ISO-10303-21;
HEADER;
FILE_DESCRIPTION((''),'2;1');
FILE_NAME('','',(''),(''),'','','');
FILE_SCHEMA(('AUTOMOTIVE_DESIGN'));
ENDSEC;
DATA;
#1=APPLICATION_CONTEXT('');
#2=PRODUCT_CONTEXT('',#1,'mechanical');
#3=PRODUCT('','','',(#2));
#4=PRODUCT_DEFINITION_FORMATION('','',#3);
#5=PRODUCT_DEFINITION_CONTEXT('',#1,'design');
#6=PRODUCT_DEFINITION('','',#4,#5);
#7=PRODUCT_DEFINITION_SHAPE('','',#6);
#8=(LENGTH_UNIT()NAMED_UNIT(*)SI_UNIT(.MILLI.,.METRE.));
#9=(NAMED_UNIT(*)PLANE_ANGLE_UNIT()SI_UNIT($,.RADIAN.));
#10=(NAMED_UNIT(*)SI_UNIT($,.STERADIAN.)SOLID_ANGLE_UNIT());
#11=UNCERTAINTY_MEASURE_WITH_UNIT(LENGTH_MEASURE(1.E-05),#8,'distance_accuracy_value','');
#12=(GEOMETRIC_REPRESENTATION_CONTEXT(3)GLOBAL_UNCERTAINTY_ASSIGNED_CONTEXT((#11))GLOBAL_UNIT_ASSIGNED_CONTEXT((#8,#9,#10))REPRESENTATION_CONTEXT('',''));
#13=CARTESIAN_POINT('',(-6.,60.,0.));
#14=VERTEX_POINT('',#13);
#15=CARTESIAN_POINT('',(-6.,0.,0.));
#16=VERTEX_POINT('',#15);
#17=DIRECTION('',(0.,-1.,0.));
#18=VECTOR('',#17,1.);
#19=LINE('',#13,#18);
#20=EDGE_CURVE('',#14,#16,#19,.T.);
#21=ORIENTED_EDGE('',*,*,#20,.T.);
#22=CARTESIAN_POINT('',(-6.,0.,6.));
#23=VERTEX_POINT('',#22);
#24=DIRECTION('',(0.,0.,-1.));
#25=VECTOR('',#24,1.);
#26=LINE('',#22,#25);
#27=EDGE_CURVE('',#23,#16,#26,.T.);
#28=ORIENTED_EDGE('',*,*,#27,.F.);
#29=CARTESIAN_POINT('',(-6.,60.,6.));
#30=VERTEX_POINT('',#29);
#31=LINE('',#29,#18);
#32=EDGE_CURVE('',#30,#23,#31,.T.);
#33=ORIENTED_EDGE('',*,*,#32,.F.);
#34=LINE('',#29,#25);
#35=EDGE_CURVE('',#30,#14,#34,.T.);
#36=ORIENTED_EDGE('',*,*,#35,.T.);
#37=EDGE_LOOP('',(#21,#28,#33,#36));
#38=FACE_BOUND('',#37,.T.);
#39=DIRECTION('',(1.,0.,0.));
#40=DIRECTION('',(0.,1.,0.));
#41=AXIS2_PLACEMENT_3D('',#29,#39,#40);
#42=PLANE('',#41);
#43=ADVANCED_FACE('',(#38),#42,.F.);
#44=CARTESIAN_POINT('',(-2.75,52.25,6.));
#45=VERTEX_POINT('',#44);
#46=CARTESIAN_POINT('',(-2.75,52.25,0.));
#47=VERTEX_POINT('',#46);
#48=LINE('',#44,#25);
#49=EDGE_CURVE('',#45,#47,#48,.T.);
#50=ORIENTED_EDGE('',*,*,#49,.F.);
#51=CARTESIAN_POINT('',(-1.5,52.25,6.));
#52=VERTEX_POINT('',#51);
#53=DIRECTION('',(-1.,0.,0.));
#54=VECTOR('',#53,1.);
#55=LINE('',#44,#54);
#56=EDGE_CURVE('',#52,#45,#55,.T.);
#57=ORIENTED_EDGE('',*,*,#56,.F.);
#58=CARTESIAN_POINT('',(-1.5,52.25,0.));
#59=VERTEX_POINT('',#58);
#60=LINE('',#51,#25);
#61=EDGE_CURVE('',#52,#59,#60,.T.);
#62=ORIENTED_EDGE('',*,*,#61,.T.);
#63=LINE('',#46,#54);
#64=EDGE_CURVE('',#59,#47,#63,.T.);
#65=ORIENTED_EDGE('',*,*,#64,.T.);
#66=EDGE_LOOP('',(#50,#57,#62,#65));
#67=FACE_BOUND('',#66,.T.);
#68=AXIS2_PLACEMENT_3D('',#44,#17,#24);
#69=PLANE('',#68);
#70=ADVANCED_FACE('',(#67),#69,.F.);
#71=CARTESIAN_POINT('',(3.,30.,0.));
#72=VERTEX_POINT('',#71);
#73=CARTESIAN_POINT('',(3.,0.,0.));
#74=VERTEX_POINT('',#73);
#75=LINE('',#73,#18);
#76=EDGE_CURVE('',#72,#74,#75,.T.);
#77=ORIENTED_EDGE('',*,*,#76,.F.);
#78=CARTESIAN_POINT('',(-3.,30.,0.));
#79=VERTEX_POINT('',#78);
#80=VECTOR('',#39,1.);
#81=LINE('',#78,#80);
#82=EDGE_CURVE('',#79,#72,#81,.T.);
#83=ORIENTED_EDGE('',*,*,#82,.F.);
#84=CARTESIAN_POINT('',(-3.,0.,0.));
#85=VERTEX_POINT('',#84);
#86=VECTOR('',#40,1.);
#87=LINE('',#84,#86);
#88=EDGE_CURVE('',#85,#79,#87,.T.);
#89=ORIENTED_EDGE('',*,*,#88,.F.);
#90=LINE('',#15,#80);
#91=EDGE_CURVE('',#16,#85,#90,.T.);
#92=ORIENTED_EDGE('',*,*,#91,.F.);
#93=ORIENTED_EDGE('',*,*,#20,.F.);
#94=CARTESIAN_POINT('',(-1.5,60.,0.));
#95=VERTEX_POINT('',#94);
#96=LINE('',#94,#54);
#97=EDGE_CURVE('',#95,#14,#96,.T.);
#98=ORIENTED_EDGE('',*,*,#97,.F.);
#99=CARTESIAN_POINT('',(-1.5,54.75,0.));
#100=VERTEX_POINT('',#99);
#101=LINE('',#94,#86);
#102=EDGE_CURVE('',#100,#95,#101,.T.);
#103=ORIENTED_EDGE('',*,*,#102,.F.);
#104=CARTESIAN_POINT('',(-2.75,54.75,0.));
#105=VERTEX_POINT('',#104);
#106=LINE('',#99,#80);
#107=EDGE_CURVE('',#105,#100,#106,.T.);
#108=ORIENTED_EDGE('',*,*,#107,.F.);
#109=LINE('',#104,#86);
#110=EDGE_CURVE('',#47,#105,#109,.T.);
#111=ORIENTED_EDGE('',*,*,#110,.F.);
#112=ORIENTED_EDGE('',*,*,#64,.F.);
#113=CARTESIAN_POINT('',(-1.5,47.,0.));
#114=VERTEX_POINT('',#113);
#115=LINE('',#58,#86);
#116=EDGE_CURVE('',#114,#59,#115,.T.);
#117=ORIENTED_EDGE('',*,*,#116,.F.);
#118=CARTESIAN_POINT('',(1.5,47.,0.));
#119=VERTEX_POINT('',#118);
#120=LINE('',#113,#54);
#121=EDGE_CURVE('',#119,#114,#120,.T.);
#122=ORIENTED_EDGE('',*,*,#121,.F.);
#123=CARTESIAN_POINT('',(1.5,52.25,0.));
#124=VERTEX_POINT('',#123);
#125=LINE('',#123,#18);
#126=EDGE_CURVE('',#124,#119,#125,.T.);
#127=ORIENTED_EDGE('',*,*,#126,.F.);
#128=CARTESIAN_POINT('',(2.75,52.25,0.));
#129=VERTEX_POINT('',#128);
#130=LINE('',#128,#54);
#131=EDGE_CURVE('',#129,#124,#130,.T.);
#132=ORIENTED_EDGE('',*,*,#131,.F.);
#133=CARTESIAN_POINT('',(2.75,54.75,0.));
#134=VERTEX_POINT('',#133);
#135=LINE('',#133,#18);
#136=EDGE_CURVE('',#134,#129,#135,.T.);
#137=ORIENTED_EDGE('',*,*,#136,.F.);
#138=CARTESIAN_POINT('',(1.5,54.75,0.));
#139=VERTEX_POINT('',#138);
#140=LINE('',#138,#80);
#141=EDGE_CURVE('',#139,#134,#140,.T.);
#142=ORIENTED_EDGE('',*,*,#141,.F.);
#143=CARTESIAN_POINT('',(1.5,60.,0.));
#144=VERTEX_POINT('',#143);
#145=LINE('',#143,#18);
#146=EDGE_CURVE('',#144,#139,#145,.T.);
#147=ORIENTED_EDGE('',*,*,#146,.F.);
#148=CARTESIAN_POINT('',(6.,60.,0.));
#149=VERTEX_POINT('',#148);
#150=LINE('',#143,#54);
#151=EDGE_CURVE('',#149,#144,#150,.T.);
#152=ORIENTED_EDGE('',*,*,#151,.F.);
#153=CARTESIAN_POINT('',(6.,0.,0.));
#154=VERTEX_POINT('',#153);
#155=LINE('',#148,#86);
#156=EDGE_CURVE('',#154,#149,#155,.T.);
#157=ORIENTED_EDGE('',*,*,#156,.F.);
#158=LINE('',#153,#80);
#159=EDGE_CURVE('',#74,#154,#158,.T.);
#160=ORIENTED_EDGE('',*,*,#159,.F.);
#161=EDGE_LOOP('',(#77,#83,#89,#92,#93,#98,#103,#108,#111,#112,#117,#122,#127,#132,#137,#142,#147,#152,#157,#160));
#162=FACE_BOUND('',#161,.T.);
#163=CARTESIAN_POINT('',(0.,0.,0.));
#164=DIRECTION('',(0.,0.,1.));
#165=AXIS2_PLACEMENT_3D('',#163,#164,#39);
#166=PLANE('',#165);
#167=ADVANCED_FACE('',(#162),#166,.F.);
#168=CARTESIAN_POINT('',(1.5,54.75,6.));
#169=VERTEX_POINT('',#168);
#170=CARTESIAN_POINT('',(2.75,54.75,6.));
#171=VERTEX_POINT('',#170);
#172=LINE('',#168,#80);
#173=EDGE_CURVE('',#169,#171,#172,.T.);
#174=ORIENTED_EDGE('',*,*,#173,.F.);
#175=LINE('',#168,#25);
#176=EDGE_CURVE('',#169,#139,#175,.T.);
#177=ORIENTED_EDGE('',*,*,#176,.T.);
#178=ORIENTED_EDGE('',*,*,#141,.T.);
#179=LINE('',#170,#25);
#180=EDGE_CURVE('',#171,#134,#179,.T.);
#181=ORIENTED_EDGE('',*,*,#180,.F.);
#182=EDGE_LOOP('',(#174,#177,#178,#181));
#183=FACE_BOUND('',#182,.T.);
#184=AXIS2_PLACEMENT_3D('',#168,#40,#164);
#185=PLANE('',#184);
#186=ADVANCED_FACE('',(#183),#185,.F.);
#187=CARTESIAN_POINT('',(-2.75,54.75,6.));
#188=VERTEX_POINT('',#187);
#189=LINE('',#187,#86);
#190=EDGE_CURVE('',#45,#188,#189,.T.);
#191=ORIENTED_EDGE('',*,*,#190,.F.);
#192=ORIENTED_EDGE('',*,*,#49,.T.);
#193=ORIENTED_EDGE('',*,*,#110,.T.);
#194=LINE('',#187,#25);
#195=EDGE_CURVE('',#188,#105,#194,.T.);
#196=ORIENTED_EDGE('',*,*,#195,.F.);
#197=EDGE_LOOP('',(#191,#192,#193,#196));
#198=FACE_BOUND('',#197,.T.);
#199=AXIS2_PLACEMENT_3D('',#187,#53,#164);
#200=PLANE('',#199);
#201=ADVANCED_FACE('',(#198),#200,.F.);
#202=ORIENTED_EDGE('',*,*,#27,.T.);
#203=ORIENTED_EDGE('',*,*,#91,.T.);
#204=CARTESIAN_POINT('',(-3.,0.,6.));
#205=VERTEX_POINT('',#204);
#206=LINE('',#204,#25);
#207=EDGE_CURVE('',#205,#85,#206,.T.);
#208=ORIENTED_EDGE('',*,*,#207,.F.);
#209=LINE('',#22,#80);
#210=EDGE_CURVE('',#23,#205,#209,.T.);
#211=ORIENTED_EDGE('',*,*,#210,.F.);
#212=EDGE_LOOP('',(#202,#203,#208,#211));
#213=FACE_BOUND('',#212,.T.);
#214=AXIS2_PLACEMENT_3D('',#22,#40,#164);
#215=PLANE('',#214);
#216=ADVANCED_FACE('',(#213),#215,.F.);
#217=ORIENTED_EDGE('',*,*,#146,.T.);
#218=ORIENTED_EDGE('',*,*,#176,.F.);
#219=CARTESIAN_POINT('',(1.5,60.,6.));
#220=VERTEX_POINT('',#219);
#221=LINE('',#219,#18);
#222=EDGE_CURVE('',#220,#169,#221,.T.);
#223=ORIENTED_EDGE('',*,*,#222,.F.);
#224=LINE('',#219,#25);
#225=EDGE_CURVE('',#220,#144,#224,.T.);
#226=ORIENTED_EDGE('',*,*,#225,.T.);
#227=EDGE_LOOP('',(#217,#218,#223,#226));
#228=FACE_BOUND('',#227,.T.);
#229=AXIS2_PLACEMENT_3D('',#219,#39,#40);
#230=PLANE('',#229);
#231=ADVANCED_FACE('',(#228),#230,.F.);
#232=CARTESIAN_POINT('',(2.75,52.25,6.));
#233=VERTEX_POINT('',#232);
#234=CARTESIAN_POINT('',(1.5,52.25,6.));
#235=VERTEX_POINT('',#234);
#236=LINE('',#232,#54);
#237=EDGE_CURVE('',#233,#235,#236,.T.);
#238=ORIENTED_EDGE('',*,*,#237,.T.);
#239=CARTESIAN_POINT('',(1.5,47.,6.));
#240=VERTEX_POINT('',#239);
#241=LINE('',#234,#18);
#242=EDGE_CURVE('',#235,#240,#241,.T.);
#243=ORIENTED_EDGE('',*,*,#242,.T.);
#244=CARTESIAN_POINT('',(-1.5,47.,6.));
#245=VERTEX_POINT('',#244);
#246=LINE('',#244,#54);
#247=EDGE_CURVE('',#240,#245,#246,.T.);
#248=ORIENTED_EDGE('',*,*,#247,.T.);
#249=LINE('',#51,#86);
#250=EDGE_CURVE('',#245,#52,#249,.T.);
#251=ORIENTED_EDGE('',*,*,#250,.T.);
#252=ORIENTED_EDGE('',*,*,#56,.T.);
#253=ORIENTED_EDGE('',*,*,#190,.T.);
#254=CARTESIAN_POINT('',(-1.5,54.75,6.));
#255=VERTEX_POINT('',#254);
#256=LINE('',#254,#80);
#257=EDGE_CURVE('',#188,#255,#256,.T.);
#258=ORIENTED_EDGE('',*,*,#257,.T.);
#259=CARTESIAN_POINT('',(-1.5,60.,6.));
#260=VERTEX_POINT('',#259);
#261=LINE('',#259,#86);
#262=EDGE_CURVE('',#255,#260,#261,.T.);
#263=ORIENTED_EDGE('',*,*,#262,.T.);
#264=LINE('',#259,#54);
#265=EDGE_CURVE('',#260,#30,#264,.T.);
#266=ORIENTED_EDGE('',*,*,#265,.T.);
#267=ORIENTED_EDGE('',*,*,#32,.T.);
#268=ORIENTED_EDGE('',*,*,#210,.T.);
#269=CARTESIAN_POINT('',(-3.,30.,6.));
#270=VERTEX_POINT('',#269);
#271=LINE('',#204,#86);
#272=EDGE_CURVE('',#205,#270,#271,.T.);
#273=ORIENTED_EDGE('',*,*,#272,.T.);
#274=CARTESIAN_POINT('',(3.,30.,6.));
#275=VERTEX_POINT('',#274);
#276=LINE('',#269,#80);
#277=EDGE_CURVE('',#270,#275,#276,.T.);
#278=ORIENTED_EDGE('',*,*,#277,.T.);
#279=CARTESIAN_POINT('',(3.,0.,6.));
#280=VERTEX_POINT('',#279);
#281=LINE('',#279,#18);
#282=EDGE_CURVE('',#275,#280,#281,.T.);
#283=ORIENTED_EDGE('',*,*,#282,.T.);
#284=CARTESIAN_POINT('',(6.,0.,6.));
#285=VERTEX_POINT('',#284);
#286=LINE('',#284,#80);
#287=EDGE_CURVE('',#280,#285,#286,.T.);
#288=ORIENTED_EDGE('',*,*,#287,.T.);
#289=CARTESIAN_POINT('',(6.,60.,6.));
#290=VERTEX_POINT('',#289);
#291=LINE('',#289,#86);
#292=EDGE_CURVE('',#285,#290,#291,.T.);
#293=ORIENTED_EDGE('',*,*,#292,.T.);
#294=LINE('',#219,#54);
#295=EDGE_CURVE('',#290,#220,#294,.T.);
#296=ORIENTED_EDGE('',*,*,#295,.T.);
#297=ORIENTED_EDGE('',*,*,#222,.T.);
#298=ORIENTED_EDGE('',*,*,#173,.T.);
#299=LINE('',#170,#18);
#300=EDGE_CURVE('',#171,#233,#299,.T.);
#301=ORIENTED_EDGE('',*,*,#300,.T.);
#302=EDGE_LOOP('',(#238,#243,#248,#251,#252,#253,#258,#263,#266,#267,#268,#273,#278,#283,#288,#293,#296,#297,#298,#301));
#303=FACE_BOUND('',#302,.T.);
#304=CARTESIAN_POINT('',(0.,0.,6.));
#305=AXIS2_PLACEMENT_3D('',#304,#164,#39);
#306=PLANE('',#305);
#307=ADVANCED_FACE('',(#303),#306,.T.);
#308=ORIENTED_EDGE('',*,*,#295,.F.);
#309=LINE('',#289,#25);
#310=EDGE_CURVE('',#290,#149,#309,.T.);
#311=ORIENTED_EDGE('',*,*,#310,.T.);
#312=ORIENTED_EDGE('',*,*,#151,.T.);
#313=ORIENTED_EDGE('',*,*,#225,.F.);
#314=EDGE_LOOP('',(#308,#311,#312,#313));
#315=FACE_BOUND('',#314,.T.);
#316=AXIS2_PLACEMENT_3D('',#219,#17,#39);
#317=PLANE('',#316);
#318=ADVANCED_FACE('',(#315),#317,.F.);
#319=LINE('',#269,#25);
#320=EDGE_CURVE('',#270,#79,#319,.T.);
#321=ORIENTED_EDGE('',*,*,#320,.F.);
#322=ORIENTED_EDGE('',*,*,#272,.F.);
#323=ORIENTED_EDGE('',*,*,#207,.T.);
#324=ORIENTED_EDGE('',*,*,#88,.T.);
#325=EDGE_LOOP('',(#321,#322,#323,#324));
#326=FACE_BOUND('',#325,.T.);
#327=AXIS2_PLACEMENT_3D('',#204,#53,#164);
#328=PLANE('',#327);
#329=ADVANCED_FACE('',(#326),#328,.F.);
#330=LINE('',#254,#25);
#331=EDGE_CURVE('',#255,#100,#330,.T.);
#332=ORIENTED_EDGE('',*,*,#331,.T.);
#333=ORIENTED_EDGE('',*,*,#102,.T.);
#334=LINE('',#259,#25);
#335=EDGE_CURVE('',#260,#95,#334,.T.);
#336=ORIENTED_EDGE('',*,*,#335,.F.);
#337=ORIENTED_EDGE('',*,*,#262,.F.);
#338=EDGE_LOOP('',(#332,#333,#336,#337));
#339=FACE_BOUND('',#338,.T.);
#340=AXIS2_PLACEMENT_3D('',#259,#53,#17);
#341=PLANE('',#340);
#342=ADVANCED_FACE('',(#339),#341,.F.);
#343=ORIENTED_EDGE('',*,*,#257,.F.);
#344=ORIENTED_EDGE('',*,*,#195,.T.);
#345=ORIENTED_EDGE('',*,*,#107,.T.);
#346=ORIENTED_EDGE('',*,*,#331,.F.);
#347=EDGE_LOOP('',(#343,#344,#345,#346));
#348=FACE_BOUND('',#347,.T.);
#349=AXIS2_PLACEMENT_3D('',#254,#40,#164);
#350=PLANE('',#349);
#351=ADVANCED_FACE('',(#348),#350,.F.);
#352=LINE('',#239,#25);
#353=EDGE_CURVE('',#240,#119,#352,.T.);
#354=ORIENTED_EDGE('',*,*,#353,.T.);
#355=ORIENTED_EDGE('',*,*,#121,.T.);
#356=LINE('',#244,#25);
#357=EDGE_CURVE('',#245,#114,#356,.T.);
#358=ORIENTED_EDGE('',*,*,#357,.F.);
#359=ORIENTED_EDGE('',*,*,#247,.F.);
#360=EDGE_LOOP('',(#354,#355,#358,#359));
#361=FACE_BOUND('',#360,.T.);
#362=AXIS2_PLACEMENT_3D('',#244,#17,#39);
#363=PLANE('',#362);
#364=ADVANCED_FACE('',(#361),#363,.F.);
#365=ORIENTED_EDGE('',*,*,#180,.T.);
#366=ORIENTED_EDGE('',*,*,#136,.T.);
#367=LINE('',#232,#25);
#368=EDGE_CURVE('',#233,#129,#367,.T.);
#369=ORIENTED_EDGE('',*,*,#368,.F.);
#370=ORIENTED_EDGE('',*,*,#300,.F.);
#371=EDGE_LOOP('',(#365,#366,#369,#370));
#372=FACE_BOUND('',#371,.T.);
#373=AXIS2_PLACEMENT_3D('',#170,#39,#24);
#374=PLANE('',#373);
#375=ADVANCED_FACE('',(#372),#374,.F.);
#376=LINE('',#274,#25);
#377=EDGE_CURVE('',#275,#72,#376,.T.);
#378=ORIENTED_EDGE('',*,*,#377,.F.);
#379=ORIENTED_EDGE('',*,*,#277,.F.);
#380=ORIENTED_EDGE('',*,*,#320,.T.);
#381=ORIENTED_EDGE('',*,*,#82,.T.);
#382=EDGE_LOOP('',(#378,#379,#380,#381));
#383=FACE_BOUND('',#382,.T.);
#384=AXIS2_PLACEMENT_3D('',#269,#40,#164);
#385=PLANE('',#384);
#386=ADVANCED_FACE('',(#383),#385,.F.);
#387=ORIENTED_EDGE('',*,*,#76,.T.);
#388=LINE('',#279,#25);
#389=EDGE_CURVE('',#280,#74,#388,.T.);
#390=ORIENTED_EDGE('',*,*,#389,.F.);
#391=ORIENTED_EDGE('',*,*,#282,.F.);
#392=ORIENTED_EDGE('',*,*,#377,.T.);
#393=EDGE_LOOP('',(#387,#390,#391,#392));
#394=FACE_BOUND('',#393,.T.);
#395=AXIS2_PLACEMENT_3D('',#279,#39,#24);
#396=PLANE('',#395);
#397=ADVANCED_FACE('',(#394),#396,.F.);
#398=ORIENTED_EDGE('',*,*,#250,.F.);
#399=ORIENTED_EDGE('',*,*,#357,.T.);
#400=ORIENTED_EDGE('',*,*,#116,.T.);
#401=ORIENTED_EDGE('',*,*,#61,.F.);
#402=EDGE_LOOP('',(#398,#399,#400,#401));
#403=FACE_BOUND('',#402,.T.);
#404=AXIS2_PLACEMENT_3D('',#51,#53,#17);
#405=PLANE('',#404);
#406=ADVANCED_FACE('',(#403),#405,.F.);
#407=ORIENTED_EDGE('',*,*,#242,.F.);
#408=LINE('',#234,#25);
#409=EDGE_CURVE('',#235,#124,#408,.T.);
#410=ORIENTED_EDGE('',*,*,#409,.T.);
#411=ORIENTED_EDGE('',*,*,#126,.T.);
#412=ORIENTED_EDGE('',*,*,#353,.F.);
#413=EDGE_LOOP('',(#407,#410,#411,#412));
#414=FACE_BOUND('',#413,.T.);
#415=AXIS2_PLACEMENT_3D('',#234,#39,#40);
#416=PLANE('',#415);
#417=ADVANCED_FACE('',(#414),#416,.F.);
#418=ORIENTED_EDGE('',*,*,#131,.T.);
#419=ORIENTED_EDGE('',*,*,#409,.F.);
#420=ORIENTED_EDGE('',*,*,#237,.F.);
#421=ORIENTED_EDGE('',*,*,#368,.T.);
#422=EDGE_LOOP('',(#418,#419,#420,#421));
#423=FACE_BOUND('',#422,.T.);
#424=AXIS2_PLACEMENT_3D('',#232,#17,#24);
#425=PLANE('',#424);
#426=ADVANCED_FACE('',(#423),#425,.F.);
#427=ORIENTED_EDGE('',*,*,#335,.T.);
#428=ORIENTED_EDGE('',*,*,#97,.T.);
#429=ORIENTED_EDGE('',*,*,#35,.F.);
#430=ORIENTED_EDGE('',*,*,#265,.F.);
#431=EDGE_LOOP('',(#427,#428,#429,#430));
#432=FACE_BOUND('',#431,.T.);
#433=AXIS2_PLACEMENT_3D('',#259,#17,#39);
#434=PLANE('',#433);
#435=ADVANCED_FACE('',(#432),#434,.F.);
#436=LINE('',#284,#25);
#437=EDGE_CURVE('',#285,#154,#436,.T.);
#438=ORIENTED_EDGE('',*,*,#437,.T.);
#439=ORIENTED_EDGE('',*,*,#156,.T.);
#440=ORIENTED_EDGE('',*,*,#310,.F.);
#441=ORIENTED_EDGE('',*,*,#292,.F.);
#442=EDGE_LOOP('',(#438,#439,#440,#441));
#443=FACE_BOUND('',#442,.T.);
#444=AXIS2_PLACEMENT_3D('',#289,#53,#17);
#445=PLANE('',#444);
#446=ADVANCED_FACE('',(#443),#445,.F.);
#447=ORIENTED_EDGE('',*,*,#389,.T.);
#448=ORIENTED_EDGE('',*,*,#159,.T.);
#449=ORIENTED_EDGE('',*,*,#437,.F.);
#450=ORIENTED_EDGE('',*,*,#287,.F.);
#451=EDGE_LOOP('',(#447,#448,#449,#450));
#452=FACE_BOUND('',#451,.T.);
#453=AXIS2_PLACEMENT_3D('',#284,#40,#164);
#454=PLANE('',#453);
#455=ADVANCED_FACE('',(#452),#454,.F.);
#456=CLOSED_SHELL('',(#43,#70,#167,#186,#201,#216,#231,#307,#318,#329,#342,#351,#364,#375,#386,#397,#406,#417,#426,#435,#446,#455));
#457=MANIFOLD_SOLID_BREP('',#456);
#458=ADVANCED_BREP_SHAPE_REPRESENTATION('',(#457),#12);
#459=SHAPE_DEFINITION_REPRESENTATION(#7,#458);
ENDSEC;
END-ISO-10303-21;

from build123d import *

# Parameters (mm, degrees)
EXTRUDE_1_DEPTH = 6


with BuildPart() as part:
    # Эскиз1 → Бобышка-Вытянуть1 (new body)
    with BuildSketch(Plane.XY):
        Polygon((-1.5, 60), (-1.5, 54.75), (-2.75, 54.75), (-2.75, 52.25), (-1.5, 52.25), (-1.5, 47), (1.5, 47), (1.5, 52.25), (2.75, 52.25), (2.75, 54.75), (1.5, 54.75), (1.5, 60), (6, 60), (6, 0), (3, 0), (3, 30), (-3, 30), (-3, 0), (-6, 0), (-6, 60), align=None)
    extrude(amount=EXTRUDE_1_DEPTH)


solid = part.part
